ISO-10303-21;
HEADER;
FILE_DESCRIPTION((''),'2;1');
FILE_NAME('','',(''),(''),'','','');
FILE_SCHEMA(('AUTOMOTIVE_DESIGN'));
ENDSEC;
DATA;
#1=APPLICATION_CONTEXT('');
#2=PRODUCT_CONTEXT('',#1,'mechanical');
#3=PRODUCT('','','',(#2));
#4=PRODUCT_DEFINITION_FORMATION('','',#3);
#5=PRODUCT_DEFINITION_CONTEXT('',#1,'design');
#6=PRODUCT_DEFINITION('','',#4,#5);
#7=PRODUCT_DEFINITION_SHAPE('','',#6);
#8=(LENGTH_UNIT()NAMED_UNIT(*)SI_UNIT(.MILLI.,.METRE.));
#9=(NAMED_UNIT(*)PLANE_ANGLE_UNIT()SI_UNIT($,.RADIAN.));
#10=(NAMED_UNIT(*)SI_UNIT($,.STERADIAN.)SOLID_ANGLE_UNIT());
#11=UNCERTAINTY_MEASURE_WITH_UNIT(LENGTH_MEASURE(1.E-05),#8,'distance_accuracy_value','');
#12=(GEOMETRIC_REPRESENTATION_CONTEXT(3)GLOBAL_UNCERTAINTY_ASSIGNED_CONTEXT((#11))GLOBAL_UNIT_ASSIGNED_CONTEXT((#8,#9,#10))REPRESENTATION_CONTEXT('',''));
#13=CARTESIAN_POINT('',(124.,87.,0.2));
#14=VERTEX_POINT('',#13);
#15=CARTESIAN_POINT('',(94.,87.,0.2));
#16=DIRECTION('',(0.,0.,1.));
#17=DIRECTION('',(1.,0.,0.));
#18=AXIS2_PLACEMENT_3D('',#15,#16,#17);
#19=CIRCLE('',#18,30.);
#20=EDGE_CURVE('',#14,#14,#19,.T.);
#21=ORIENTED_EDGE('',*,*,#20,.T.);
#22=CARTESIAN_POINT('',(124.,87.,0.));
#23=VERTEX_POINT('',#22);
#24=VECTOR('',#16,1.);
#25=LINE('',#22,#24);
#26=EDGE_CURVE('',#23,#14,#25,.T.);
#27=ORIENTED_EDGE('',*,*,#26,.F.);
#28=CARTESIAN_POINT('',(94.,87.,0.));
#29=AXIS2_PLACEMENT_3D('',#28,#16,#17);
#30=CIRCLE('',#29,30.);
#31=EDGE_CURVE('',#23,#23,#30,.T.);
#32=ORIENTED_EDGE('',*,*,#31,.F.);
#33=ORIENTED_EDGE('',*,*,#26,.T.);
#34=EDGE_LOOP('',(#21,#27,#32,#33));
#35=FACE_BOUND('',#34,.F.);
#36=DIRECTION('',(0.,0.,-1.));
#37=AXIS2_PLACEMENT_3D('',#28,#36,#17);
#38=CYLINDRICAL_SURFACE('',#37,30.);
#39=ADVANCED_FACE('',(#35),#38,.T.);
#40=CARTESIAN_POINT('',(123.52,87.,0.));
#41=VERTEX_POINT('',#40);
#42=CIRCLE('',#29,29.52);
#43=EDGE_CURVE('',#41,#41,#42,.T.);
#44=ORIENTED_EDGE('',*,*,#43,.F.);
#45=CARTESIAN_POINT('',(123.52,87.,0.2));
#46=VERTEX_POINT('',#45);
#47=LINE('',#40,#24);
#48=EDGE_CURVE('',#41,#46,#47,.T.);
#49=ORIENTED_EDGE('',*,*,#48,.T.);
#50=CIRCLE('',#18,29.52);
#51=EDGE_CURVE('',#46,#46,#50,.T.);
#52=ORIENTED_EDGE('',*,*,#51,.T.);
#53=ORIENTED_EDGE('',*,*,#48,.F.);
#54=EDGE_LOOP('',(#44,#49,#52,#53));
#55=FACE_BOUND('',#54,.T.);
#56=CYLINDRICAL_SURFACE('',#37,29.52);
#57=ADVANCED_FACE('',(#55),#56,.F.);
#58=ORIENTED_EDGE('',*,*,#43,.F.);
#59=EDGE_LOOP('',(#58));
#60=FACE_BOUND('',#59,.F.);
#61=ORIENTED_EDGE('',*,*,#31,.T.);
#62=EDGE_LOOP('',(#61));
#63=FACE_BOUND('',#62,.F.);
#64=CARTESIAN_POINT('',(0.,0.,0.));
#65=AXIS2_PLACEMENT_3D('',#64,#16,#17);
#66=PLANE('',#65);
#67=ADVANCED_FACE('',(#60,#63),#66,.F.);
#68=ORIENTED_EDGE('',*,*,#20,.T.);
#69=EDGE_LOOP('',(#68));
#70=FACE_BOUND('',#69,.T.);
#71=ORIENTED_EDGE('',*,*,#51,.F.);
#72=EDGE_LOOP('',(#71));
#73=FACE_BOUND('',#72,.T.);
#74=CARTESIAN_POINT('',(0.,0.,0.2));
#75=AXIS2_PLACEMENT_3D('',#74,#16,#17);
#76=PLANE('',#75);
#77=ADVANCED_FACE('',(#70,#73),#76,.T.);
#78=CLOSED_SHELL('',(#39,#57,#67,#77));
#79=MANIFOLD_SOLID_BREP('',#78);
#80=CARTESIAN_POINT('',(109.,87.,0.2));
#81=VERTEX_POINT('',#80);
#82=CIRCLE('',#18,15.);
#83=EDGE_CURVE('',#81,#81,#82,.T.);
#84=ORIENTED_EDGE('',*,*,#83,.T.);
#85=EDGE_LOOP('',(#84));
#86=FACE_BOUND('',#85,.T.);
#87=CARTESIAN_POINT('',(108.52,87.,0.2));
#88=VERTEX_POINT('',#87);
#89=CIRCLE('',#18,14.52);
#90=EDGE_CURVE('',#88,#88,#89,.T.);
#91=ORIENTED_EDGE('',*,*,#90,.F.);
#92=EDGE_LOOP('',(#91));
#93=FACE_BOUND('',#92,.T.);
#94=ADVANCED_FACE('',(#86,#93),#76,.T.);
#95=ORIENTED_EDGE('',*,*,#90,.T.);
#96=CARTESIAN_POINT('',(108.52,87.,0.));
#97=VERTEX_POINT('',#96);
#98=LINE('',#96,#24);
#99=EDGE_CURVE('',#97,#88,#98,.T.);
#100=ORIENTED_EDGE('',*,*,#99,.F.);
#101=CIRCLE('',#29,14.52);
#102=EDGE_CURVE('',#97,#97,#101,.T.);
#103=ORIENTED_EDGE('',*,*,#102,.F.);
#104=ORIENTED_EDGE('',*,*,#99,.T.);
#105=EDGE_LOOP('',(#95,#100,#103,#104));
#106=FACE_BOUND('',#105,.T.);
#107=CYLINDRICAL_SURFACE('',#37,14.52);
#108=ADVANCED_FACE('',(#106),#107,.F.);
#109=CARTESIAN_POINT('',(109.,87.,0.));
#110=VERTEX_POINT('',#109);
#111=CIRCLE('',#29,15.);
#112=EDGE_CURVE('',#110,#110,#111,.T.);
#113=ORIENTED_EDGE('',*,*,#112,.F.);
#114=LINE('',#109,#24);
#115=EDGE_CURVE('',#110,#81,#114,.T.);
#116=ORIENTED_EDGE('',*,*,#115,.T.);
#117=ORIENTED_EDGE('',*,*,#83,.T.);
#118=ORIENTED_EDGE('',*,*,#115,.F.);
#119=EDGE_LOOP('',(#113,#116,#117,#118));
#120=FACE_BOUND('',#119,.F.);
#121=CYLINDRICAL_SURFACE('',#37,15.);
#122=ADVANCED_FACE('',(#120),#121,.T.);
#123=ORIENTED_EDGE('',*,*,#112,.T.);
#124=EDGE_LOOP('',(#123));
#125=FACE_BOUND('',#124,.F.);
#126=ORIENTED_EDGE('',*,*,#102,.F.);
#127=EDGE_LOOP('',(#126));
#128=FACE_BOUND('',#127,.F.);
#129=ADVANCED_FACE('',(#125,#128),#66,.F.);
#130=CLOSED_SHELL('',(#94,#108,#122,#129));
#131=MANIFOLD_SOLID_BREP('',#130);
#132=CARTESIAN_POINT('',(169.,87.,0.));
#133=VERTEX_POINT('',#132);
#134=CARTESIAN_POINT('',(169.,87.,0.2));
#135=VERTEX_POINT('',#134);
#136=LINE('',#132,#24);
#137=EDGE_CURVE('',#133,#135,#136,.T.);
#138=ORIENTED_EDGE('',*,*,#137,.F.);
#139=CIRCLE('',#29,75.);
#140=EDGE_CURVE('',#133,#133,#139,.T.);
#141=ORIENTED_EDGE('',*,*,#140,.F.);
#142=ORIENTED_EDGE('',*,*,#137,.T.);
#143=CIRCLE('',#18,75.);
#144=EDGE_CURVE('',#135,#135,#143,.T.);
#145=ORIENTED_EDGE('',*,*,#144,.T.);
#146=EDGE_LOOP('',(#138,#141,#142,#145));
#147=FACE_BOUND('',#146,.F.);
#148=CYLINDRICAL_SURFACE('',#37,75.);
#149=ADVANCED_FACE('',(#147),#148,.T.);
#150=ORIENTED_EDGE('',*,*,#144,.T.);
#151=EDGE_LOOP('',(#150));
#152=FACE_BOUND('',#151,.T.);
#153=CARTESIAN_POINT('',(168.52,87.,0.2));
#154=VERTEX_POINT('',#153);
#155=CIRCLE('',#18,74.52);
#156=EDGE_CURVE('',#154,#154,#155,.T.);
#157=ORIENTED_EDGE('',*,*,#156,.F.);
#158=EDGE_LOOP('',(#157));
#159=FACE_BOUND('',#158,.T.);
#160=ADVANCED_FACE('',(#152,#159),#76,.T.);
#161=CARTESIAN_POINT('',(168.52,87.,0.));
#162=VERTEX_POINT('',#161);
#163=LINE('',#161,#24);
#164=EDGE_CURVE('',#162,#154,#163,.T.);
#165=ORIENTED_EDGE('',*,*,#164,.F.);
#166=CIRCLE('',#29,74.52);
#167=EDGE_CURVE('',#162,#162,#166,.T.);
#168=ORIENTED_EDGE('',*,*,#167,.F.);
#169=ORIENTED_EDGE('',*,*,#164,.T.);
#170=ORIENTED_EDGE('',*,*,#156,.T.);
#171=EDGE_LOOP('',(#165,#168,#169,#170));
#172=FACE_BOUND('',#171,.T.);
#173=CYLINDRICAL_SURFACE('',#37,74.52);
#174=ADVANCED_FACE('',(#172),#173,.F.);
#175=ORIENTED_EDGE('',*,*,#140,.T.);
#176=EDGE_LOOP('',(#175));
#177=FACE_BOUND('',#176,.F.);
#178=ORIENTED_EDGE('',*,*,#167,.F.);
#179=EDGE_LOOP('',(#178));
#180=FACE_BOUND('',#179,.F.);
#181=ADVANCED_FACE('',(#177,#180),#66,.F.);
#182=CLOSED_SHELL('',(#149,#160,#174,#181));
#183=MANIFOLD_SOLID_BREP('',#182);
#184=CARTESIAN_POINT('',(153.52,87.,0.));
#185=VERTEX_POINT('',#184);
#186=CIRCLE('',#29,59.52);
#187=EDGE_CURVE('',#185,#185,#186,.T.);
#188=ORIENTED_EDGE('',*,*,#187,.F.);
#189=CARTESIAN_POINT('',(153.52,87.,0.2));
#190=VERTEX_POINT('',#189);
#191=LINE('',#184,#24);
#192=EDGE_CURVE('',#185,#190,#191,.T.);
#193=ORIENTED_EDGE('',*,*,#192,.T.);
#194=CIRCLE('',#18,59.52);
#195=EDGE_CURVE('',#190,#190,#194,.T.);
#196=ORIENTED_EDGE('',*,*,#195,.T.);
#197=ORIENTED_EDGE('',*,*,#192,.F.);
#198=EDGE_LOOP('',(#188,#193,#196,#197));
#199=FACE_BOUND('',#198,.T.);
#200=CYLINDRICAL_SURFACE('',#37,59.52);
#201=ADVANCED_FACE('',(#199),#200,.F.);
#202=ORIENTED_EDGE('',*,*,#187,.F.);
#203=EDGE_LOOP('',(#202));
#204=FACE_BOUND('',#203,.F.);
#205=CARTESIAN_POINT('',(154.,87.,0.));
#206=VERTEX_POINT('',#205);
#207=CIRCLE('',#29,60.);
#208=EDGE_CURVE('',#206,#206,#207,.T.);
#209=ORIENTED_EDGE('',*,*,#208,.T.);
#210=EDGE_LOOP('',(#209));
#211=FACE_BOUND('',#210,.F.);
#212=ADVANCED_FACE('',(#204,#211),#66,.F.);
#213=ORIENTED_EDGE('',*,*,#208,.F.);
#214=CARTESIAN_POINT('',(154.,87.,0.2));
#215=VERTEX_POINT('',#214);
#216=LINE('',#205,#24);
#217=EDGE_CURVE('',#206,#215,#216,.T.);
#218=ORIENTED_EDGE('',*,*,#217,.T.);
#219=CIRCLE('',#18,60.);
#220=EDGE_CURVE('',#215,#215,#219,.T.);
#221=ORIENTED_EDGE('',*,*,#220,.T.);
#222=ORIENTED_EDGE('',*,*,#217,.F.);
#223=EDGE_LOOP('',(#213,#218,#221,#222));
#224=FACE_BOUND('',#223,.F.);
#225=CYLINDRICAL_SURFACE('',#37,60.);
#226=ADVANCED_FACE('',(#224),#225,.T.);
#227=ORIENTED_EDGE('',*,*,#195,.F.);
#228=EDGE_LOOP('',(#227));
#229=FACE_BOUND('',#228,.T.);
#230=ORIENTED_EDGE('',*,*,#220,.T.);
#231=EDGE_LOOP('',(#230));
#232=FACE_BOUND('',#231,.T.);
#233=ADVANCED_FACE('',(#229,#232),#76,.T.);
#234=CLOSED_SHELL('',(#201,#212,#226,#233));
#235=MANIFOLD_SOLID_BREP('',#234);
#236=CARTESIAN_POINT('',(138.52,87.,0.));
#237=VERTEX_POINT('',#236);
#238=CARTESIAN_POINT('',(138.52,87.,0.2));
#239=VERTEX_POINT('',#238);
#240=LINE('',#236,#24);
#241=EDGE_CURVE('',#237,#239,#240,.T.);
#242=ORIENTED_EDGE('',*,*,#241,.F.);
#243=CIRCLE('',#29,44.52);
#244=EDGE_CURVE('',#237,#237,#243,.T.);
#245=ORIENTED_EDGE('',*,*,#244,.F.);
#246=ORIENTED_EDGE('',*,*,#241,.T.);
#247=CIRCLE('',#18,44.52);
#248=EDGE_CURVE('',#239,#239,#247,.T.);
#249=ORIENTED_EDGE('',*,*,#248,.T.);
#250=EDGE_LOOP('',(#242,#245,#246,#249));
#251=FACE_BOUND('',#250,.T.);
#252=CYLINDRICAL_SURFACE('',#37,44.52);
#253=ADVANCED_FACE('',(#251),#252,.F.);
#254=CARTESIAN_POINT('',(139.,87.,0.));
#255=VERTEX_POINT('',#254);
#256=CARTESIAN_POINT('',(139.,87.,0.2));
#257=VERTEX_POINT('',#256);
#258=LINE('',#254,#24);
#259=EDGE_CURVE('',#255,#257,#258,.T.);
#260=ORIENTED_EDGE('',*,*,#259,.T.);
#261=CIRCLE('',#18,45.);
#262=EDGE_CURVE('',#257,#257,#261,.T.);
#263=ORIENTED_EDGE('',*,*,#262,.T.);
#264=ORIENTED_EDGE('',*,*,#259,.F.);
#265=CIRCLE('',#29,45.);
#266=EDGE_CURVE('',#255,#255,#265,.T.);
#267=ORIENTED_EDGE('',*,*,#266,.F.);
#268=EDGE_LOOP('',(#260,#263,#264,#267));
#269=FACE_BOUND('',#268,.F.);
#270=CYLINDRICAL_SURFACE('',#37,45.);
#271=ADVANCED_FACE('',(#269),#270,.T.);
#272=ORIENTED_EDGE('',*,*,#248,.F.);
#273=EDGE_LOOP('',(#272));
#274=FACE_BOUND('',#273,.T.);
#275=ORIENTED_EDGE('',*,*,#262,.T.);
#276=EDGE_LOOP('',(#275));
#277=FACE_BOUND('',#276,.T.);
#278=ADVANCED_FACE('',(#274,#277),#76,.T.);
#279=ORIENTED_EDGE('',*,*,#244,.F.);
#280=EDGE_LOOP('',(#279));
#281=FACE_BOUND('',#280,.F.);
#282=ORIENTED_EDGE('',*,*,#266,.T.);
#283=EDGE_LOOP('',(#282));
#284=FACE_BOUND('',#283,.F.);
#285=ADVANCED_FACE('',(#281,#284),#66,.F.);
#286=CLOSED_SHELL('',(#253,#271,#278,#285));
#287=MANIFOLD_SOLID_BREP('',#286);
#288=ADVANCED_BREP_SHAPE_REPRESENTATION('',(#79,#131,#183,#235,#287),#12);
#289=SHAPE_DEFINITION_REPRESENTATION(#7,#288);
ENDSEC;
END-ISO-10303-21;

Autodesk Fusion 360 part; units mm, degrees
sketch "Sketch1" plane through (0, 0, 0) normal (0, 0, 1) x (1, 0, 0)
  circle A0 centre (94, 87) radius 75
  circle A1 centre (94, 87) radius 45
  circle A2 centre (94, 87) radius 15
  circle A3 centre (94, 87) radius 60
  circle A4 centre (94, 87) radius 30
  circle A5 centre (94, 87) radius 74.52
  circle A6 centre (94, 87) radius 59.52
  circle A7 centre (94, 87) radius 44.52
  circle A8 centre (94, 87) radius 29.52
  circle A9 centre (94, 87) radius 14.52
  dimension "d1" = 150
  dimension "d2" = -30
  dimension "d3" = -60
  dimension "d4" = -15
  dimension "d5" = -45
  dimension "d6" = -0.48
  dimension "d7" = -15.48
  dimension "d8" = -30.48
  dimension "d9" = -45.48
  dimension "d10" = -60.48
extrude "Extrude1" add sketch "Sketch1" along normal blind 0.2 makes body 1 at (81.8799, 130.055, 0) makes body 2 at (153.6166, 89.9808, 0) makes body 3 at (103.4736, 58.7822, 0) makes body 4 at (168.5608, 90.7261, 0) makes body 5 at (82.6556, 96.5095, 0)
